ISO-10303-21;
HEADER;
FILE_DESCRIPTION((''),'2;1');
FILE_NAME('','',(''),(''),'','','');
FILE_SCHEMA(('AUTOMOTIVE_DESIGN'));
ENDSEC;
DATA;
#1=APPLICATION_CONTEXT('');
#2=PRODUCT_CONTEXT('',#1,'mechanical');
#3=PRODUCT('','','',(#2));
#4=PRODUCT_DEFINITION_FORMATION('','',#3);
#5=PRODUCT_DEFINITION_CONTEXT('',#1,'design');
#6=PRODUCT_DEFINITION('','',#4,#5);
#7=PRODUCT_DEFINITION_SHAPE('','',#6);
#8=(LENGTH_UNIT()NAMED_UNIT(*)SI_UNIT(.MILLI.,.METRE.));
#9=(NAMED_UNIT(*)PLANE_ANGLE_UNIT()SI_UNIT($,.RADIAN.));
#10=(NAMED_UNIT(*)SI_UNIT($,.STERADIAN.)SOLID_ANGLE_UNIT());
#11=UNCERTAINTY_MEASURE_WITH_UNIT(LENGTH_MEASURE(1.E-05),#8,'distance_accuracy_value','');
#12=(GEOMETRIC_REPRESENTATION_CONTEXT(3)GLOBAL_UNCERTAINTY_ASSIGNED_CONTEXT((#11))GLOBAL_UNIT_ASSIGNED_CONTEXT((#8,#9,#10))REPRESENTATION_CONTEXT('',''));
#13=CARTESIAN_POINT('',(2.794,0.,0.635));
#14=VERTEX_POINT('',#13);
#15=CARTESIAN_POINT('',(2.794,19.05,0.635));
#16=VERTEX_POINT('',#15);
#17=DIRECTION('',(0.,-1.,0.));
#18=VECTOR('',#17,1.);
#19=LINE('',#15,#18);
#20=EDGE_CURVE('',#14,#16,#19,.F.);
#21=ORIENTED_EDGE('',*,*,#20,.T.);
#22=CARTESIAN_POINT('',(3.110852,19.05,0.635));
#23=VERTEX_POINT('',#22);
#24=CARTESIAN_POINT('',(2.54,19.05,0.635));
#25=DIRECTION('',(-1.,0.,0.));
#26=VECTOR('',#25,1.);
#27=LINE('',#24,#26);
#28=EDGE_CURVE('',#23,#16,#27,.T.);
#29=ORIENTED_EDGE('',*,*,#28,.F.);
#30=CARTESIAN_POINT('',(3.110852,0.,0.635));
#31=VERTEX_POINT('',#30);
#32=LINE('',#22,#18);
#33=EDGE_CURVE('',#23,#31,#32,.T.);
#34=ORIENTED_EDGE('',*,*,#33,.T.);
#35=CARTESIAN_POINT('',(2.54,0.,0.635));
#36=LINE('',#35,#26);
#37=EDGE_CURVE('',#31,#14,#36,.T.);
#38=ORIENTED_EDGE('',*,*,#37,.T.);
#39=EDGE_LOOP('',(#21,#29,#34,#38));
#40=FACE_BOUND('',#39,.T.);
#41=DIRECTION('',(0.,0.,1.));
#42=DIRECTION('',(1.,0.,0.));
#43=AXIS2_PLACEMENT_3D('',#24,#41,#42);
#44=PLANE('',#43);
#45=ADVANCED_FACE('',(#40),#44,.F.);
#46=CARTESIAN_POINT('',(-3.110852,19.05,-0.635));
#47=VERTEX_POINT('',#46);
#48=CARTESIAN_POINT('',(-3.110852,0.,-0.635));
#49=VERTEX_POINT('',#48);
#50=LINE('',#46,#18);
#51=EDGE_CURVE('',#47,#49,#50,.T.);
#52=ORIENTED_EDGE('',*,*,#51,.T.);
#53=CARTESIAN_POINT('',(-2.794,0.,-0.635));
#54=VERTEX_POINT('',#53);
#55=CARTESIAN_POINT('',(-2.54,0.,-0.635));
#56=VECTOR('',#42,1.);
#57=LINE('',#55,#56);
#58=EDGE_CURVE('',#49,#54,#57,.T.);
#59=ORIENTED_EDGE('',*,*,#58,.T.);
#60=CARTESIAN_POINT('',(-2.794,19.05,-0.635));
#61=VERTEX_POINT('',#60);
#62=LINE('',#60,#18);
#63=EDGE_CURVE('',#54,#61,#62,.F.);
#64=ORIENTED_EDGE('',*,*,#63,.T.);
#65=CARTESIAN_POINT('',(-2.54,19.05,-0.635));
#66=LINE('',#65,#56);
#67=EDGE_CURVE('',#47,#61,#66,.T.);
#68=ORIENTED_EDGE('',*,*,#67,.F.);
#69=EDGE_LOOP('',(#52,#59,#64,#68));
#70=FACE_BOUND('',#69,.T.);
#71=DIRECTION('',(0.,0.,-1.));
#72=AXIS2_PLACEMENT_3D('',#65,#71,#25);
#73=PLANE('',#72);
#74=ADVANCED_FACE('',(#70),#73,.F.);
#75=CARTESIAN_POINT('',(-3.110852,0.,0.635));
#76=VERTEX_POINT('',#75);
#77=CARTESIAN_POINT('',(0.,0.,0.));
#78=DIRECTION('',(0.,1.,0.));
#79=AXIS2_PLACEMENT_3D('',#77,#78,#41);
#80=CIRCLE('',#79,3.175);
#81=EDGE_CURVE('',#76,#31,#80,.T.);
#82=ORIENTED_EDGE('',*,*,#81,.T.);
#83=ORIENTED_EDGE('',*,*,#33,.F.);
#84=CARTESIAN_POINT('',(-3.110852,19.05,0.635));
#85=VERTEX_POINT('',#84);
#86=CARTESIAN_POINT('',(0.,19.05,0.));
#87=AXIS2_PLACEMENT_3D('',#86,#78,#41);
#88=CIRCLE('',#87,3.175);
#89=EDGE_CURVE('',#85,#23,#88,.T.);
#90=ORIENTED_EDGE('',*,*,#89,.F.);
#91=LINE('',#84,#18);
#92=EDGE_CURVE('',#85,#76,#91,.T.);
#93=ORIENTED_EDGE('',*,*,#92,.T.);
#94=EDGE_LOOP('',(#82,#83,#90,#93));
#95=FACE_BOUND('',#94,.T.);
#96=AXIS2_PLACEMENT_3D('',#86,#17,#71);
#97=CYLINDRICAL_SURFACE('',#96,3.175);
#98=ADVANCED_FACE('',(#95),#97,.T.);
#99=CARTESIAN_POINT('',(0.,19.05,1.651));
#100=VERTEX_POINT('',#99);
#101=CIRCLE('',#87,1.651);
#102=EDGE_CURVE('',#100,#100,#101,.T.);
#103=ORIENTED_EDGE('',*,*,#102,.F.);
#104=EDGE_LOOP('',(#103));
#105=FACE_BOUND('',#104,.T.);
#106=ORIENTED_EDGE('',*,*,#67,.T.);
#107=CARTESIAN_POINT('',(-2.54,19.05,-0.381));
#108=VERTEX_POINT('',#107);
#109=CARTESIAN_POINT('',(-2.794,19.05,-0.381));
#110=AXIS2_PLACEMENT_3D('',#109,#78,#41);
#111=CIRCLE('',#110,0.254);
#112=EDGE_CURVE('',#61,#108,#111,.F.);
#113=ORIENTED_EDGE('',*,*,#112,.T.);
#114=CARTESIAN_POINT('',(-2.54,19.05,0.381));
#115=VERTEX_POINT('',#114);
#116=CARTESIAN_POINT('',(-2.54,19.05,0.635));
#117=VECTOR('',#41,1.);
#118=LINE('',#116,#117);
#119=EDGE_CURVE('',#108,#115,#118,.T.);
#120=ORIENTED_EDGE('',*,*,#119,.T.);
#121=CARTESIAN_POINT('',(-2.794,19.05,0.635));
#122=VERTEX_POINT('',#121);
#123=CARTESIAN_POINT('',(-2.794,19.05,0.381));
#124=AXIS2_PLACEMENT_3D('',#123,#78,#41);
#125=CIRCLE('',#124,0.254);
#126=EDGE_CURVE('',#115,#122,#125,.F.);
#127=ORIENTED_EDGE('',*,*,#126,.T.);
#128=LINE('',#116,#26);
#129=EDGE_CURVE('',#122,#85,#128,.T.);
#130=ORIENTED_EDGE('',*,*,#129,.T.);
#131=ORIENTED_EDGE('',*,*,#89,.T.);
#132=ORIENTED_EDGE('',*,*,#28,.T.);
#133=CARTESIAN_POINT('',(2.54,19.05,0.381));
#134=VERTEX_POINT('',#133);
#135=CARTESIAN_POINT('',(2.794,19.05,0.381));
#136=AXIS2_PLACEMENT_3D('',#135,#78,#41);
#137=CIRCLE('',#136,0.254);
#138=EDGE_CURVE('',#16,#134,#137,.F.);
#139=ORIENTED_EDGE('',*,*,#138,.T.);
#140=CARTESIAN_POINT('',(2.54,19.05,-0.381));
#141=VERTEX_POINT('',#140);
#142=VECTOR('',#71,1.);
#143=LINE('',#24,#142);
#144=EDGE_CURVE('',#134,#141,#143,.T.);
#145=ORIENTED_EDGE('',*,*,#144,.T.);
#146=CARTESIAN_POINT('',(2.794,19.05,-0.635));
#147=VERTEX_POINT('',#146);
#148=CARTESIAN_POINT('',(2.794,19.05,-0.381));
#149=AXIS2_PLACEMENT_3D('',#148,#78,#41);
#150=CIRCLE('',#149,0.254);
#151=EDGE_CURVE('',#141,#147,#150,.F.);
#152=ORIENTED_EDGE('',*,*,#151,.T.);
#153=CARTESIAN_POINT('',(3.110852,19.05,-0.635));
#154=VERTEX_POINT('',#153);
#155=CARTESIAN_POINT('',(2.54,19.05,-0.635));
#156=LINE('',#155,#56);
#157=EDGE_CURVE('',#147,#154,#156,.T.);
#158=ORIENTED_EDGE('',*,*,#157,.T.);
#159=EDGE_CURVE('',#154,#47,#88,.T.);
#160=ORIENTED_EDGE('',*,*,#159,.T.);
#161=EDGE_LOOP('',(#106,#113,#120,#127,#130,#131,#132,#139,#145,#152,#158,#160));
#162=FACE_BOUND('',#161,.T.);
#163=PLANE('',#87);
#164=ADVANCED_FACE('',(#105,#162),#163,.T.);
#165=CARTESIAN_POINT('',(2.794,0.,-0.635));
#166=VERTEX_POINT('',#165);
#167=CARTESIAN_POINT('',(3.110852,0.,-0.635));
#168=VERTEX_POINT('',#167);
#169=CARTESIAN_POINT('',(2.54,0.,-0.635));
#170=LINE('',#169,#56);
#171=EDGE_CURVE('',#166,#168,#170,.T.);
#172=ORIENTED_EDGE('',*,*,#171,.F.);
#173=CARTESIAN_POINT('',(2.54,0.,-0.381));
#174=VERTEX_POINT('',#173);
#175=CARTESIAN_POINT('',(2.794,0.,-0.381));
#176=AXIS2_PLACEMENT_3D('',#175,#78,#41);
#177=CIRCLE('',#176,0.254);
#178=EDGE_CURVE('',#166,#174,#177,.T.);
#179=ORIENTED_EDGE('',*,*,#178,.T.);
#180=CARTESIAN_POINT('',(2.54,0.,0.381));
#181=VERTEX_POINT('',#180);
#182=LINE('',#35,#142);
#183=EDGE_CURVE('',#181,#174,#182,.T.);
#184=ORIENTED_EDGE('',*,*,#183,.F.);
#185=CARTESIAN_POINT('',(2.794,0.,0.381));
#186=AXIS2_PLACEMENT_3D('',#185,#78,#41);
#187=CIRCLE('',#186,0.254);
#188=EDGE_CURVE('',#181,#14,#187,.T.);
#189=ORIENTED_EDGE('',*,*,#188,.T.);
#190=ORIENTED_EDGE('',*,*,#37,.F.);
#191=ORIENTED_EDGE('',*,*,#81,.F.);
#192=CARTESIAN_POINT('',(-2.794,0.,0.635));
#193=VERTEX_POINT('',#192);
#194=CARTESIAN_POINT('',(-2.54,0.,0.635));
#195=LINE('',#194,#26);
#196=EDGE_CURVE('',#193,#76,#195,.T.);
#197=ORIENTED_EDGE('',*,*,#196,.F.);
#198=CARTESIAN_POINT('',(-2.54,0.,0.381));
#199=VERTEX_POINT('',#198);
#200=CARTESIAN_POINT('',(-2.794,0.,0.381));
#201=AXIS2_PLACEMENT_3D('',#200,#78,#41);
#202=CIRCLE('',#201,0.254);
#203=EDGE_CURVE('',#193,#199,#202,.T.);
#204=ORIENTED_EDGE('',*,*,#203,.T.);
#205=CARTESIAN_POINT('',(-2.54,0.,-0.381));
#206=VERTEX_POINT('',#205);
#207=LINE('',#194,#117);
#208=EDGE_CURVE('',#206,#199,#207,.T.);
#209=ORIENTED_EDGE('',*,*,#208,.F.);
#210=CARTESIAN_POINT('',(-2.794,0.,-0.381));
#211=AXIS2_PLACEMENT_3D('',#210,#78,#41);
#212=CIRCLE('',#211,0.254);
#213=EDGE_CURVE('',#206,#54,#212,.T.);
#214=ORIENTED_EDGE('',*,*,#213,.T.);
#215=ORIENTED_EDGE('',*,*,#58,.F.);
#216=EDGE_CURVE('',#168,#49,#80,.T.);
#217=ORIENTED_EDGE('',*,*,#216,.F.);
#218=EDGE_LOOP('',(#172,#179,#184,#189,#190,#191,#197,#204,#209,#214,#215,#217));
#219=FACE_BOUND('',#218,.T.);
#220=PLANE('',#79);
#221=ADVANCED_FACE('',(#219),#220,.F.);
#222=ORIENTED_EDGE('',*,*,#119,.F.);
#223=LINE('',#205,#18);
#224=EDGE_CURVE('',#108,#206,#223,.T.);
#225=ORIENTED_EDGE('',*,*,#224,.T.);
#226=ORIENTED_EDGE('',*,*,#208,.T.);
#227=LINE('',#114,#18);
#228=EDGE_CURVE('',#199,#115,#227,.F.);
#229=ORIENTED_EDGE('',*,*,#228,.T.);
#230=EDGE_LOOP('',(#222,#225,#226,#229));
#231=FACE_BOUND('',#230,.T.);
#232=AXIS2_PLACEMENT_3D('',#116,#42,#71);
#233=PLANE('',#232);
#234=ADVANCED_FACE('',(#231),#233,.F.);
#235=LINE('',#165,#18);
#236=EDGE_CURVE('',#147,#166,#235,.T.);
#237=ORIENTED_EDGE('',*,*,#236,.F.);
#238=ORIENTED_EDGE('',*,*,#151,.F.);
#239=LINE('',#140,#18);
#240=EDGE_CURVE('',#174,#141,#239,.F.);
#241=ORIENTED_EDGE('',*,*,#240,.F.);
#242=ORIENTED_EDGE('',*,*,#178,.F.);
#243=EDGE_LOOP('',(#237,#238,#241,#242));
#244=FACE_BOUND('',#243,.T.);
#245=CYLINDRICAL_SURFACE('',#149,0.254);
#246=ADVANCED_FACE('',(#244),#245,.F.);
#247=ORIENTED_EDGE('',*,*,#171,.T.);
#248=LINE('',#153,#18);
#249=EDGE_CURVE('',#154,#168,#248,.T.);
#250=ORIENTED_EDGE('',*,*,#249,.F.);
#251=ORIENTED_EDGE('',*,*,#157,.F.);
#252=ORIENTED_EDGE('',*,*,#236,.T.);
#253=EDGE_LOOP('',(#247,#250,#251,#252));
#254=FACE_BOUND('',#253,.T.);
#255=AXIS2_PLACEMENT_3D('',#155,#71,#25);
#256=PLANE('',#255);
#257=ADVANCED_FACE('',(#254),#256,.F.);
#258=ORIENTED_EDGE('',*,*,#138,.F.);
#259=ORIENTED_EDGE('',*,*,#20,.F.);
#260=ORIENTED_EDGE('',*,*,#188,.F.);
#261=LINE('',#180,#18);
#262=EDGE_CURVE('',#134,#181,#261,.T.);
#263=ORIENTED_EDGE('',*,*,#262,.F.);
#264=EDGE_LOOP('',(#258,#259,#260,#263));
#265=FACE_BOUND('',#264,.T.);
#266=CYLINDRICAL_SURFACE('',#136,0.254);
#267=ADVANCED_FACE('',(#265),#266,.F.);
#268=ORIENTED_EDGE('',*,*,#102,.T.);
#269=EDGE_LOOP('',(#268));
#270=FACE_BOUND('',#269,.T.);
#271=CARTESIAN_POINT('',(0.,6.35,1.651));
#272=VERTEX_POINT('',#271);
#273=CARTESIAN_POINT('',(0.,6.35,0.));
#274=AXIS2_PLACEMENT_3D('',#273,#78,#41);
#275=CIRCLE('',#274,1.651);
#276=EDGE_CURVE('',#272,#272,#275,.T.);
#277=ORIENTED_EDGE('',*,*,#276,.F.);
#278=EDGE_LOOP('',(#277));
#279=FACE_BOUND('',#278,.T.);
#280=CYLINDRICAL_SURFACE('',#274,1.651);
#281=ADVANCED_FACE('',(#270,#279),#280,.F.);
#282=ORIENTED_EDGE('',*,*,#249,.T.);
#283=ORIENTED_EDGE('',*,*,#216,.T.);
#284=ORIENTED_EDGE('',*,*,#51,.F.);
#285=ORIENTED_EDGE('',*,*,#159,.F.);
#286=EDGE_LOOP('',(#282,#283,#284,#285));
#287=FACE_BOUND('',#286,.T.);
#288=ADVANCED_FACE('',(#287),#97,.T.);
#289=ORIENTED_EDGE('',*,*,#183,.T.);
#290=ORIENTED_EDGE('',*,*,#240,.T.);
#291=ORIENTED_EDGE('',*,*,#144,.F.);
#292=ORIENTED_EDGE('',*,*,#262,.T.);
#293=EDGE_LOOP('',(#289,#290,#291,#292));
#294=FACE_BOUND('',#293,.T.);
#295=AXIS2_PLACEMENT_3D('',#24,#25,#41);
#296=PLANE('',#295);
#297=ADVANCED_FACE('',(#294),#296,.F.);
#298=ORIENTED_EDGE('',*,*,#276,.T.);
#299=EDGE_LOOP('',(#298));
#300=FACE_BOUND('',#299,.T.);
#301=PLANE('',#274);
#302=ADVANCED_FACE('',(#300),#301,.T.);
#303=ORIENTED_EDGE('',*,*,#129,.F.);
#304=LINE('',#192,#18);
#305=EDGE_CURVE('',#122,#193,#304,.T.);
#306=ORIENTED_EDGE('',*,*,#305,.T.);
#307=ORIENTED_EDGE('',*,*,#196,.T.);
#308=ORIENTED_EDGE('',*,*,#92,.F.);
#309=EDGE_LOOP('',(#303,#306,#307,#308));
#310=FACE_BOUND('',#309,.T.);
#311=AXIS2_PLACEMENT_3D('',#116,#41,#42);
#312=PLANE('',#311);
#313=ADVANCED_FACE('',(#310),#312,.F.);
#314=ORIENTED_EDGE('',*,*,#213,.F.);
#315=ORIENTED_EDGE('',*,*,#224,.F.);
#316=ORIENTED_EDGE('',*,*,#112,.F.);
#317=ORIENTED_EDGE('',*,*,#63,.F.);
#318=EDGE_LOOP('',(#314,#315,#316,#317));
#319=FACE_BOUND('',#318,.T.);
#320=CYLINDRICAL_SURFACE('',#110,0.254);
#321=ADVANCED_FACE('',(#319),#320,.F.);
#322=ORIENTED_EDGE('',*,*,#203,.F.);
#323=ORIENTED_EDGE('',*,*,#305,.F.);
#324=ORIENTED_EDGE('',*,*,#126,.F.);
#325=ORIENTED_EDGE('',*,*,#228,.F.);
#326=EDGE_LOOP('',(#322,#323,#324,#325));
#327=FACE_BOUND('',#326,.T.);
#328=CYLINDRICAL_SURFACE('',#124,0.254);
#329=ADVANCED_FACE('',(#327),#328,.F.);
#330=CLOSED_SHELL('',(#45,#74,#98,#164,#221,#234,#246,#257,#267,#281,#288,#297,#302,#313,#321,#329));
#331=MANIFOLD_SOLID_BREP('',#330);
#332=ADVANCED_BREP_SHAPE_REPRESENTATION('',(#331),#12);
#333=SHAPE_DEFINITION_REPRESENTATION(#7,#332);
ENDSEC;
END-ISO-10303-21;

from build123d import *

# Parameters (mm, degrees)
BOSS_EXTRUDE1_DEPTH = 19.05
SKETCH2_R           = 1.651
CUT_EXTRUDE1_DEPTH  = 12.7
FILLET1_R           = 0.254


with BuildPart() as part:
    # Sketch1 → Boss-Extrude1 (new body)
    with BuildSketch(Plane(origin=(0, 0, 0), x_dir=(1, 0, 0), z_dir=(0, 1, 0))):
        with BuildLine():
            Line((2.54, -0.635), (3.110851973, -0.635))
            ThreePointArc((3.110851973, -0.635), (0, -3.175), (-3.110851973, -0.635))
            Line((-3.110851973, -0.635), (-2.54, -0.635))
            Line((-2.54, -0.635), (-2.54, 0.635))
            Line((-2.54, 0.635), (-3.110851973, 0.635))
            ThreePointArc((-3.110851973, 0.635), (0, 3.175), (3.110851973, 0.635))
            Line((3.110851973, 0.635), (2.54, 0.635))
            Line((2.54, 0.635), (2.54, -0.635))
        make_face()
    extrude(amount=BOSS_EXTRUDE1_DEPTH)

    # Sketch2 → Cut-Extrude1 (cut)
    with BuildSketch(Plane(origin=(0, 19.05, 0), x_dir=(1, 0, 0), z_dir=(0, 1, 0))):
        Circle(SKETCH2_R)
    extrude(amount=-CUT_EXTRUDE1_DEPTH, mode=Mode.SUBTRACT)

    # Fillet1
    fillet1_edges = [part.edges().sort_by_distance(p)[0] for p in [
        (2.54, 9.525, 0.635),
        (-2.54, 9.525, 0.635),
        (-2.54, 9.525, -0.635),
        (2.54, 9.525, -0.635),
    ]]
    fillet(fillet1_edges, radius=FILLET1_R)


solid = part.part
